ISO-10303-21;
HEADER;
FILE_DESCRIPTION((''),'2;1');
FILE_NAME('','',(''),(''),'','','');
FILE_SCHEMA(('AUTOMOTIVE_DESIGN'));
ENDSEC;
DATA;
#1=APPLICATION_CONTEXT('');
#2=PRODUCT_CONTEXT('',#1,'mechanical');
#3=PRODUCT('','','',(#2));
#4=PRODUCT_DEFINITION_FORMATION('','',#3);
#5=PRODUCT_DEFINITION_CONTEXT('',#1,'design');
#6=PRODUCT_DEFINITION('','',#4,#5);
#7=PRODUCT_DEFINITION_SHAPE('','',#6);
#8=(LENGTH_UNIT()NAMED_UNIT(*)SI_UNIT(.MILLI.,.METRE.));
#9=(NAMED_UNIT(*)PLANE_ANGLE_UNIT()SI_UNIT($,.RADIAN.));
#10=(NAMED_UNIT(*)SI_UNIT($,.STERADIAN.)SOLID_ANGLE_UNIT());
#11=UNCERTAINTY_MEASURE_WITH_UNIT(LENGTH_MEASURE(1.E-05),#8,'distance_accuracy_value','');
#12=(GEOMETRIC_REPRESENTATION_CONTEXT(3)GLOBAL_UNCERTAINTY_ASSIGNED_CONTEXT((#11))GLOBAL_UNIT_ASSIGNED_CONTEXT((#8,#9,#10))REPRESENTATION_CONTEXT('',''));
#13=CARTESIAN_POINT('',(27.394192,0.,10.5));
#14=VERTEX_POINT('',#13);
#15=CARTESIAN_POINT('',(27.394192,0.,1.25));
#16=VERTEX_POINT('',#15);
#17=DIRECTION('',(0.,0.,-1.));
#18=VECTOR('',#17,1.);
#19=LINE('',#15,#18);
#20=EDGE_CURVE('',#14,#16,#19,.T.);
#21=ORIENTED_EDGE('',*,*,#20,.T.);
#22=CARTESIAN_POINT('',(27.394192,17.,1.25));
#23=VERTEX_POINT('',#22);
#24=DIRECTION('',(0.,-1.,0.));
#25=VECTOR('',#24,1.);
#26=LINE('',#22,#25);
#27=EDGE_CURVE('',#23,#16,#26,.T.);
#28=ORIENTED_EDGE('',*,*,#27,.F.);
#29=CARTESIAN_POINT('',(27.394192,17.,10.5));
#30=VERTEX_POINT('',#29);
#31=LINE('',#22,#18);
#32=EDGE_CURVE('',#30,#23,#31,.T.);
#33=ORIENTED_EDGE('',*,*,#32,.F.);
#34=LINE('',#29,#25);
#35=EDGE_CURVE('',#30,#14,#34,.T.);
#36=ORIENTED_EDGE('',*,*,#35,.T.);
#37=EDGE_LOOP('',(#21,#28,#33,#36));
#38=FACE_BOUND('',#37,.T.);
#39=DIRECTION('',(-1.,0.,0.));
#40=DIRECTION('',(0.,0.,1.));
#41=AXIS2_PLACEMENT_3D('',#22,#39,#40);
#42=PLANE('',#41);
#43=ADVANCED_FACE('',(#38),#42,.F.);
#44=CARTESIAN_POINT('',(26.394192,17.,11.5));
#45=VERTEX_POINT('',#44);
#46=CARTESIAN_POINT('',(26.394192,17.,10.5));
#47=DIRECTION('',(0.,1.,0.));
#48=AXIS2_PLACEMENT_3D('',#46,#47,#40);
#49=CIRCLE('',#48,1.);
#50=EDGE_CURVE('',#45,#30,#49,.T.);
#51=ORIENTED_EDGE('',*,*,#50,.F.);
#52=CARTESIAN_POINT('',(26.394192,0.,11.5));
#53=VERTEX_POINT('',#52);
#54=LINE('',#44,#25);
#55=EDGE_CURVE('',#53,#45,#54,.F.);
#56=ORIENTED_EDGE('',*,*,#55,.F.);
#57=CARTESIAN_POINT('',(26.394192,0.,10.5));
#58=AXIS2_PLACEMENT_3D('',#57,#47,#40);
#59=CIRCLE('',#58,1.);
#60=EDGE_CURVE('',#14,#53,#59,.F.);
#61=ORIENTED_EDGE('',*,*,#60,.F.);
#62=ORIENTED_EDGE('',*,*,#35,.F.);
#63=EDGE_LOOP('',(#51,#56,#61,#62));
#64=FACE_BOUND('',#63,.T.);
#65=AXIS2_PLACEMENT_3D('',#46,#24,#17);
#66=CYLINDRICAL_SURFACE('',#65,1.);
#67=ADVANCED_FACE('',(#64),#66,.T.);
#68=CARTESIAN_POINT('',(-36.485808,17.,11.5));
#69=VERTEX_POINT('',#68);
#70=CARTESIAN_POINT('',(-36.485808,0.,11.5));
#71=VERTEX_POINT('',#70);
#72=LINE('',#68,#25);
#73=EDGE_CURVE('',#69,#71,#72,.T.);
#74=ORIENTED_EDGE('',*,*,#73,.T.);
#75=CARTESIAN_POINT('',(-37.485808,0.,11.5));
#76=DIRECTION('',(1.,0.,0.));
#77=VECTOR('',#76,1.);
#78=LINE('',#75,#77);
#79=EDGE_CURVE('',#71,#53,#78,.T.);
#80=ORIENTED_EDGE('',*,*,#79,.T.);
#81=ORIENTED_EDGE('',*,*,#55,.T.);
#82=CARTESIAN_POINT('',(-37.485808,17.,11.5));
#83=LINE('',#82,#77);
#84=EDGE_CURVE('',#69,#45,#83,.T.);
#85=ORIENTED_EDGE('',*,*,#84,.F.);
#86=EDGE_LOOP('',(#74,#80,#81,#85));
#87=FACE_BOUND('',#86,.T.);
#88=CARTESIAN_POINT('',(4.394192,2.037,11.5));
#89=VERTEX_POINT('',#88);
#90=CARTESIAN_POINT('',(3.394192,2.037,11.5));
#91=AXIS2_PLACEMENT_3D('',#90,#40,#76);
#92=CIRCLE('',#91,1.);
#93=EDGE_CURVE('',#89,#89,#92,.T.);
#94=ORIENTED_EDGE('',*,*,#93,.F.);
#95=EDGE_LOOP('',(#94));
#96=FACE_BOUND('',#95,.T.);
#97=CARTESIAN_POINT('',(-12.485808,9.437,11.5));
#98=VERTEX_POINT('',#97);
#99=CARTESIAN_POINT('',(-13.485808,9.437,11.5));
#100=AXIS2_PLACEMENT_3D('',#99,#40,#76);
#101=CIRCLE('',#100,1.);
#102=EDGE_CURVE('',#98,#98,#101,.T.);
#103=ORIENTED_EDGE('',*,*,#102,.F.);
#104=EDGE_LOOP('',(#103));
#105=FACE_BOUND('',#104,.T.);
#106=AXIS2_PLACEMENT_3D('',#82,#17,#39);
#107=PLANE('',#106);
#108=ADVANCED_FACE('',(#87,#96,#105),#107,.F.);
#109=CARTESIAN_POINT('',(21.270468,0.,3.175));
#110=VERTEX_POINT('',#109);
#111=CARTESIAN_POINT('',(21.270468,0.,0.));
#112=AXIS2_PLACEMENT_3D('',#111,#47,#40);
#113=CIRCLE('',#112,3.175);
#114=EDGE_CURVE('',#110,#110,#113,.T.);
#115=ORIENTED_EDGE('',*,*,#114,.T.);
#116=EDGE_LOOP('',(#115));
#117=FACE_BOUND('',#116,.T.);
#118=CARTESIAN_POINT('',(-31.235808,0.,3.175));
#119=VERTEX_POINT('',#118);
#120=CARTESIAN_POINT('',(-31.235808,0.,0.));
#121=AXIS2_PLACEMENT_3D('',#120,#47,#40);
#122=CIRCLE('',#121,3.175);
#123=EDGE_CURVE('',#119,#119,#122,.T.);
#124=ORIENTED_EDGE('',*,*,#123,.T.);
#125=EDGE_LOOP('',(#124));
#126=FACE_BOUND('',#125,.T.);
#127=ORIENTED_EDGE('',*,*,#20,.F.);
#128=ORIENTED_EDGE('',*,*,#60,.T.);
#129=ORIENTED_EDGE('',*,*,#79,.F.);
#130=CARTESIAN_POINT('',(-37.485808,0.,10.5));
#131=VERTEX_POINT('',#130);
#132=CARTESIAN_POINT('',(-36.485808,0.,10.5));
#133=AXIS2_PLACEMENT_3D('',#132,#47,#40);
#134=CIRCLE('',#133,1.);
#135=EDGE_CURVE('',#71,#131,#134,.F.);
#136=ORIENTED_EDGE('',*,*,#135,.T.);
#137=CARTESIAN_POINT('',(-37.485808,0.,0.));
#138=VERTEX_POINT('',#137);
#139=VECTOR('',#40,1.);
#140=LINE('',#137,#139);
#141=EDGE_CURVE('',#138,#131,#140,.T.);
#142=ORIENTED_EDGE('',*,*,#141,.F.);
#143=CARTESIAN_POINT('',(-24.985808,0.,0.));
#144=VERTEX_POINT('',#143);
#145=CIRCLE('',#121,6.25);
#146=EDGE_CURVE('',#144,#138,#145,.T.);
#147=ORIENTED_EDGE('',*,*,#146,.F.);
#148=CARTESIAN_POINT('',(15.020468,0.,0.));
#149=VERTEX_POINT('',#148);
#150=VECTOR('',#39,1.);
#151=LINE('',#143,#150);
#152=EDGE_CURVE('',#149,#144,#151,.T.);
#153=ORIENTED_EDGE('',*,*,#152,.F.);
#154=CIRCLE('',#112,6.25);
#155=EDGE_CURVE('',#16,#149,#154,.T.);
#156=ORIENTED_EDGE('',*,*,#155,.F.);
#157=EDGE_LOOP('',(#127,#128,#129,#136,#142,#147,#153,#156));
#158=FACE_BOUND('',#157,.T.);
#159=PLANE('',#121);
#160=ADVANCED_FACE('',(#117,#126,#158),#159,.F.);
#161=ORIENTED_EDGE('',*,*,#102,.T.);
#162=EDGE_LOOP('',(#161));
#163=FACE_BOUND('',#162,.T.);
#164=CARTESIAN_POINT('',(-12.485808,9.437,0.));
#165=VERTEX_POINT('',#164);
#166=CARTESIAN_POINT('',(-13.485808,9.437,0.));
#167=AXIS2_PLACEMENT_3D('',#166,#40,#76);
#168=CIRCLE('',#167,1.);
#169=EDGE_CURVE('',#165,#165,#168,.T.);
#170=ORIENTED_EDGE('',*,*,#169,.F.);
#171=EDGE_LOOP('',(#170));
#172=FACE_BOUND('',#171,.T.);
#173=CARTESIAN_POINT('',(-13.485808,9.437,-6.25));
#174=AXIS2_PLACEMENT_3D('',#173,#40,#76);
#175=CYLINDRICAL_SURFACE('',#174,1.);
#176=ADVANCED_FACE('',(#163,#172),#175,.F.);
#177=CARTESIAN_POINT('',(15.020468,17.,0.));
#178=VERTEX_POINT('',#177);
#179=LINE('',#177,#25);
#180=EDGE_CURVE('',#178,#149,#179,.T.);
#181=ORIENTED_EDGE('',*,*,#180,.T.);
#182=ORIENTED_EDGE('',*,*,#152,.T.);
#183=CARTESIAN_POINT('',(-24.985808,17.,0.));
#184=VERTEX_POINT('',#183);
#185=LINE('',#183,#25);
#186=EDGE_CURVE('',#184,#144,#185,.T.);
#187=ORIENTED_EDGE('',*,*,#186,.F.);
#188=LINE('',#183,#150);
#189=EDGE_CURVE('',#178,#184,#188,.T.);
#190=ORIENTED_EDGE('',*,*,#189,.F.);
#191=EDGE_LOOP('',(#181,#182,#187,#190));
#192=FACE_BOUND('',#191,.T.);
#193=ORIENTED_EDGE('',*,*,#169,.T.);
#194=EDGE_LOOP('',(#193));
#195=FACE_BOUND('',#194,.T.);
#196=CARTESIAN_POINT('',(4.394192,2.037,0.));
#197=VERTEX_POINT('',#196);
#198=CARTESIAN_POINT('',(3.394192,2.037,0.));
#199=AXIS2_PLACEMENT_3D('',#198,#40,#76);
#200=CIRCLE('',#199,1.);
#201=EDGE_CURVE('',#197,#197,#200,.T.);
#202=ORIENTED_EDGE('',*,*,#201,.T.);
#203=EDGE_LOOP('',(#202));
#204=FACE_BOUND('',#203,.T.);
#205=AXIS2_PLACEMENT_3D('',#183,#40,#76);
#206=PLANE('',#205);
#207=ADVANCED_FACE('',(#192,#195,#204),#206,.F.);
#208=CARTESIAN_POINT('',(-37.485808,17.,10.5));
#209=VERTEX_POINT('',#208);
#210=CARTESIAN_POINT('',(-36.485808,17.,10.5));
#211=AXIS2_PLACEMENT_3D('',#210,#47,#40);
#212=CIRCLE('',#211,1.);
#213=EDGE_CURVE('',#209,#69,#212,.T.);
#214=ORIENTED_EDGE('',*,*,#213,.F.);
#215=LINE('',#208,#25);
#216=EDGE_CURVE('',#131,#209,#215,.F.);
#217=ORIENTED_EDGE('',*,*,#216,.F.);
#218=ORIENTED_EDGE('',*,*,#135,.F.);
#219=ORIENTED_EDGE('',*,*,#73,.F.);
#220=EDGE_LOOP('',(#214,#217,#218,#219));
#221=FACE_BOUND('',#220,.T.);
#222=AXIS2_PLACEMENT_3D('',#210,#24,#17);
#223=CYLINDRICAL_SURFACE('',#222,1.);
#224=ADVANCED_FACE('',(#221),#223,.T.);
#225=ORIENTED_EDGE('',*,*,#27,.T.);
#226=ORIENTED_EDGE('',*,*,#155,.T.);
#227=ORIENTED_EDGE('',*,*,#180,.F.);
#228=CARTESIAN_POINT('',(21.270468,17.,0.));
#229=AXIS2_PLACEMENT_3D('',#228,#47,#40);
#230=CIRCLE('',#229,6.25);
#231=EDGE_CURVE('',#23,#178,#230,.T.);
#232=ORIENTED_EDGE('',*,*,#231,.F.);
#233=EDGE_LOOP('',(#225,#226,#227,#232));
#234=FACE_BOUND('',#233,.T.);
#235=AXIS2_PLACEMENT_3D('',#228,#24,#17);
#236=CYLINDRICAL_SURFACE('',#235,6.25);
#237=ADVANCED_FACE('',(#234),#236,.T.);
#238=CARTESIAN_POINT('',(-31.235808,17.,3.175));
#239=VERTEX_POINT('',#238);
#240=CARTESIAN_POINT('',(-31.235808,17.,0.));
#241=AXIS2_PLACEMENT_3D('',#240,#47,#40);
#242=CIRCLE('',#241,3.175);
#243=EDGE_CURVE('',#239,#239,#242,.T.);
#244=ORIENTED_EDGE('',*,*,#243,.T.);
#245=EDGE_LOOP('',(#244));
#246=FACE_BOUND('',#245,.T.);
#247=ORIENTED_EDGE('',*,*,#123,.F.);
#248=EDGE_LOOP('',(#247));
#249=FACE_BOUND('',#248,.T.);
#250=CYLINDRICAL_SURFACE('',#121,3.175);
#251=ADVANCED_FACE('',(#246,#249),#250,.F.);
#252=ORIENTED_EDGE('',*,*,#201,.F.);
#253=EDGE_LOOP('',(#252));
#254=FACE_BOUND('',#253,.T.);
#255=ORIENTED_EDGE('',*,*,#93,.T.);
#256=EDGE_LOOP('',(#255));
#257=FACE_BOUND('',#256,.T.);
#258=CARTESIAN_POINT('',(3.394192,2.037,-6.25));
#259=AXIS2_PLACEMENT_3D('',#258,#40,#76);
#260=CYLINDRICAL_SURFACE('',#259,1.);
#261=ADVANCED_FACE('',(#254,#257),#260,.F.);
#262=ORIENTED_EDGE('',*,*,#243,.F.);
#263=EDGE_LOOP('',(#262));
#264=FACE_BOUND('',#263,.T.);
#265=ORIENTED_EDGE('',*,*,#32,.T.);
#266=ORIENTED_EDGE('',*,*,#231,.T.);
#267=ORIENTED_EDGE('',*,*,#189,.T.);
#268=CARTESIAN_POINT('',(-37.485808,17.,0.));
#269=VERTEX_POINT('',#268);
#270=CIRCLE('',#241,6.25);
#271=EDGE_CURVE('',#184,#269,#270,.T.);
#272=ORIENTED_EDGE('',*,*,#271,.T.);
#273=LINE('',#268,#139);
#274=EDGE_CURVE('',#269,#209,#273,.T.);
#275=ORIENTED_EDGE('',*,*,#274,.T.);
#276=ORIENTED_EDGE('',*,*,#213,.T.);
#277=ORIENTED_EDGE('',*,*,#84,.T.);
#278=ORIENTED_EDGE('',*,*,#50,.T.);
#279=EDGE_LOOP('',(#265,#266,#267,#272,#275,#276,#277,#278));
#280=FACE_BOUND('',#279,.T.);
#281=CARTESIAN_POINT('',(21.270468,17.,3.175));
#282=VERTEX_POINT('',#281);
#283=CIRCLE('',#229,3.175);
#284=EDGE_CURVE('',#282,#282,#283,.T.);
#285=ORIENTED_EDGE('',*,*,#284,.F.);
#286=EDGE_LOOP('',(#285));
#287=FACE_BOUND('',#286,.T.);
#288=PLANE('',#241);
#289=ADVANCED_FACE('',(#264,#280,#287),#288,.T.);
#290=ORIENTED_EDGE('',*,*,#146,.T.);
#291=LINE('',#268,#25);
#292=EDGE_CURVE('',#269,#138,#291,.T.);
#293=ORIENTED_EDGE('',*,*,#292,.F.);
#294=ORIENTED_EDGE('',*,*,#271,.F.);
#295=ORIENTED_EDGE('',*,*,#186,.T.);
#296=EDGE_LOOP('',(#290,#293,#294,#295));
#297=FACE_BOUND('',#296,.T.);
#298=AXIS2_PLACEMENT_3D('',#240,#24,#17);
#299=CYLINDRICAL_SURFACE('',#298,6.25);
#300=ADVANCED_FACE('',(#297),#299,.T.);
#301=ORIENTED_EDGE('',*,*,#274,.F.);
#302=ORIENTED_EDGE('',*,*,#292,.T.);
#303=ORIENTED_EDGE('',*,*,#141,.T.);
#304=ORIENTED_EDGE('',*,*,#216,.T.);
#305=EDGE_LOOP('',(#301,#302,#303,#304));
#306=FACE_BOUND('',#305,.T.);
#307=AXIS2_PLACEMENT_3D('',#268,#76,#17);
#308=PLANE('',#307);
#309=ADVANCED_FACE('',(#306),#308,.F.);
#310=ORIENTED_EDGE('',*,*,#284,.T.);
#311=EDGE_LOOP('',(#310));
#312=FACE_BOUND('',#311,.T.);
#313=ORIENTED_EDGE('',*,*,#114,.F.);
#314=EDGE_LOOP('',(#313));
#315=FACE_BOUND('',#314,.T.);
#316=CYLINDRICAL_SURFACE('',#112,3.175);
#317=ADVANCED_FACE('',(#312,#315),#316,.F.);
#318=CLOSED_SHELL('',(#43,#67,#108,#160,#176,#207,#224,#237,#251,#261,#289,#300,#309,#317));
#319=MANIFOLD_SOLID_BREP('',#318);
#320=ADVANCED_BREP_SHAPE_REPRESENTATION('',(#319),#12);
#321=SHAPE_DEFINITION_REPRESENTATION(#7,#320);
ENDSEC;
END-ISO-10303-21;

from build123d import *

# Parameters (mm, degrees)
BOSS_EXTRUDE1_DEPTH = 17
SKETCH2_R           = 3.175
CUT_EXTRUDE1_DEPTH  = 18
SKETCH4_R           = 1
CUT_EXTRUDE3_DEPTH  = 18.75
FILLET1_R           = 1


with BuildPart() as part:
    # Sketch1 → Boss-Extrude1 (new body)
    with BuildSketch(Plane(origin=(0, 0, 0), x_dir=(1, 0, 0), z_dir=(0, 1, 0))):
        with BuildLine():
            Line((-24.985807588, 0), (15.020468055, 0))
            ThreePointArc((15.020468055, 0), (21.898649068, 6.218350956), (27.394192412, -1.25))
            Line((27.394192412, -1.25), (27.394192412, -11.5))
            Line((27.394192412, -11.5), (-37.485807588, -11.5))
            Line((-37.485807588, -11.5), (-37.485807588, 0))
            ThreePointArc((-37.485807588, 0), (-31.235807588, 6.25), (-24.985807588, 0))
        make_face()
    extrude(amount=BOSS_EXTRUDE1_DEPTH)

    # Sketch2 → Cut-Extrude1 (cut, through all)
    with BuildSketch(Plane(origin=(0, 17, 0), x_dir=(1, 0, 0), z_dir=(0, 1, 0))):
        with Locations((-31.235807588, 0)):
            Circle(SKETCH2_R)
        with Locations((21.270468055, 0)):
            Circle(SKETCH2_R)
    extrude(amount=-CUT_EXTRUDE1_DEPTH, mode=Mode.SUBTRACT)

    # Sketch4 → Cut-Extrude3 (cut, through all)
    with BuildSketch(Plane.XY.offset(11.5)):
        with Locations((-13.485807588, 9.437)):
            Circle(SKETCH4_R)
        with Locations((3.394192412, 2.037)):
            Circle(SKETCH4_R)
    extrude(amount=-CUT_EXTRUDE3_DEPTH, mode=Mode.SUBTRACT)

    # Fillet1
    fillet1_edges = [part.edges().sort_by_distance(p)[0] for p in [
        (27.394192412, 8.5, 11.5),
        (-37.485807588, 8.5, 11.5),
    ]]
    fillet(fillet1_edges, radius=FILLET1_R)


solid = part.part
